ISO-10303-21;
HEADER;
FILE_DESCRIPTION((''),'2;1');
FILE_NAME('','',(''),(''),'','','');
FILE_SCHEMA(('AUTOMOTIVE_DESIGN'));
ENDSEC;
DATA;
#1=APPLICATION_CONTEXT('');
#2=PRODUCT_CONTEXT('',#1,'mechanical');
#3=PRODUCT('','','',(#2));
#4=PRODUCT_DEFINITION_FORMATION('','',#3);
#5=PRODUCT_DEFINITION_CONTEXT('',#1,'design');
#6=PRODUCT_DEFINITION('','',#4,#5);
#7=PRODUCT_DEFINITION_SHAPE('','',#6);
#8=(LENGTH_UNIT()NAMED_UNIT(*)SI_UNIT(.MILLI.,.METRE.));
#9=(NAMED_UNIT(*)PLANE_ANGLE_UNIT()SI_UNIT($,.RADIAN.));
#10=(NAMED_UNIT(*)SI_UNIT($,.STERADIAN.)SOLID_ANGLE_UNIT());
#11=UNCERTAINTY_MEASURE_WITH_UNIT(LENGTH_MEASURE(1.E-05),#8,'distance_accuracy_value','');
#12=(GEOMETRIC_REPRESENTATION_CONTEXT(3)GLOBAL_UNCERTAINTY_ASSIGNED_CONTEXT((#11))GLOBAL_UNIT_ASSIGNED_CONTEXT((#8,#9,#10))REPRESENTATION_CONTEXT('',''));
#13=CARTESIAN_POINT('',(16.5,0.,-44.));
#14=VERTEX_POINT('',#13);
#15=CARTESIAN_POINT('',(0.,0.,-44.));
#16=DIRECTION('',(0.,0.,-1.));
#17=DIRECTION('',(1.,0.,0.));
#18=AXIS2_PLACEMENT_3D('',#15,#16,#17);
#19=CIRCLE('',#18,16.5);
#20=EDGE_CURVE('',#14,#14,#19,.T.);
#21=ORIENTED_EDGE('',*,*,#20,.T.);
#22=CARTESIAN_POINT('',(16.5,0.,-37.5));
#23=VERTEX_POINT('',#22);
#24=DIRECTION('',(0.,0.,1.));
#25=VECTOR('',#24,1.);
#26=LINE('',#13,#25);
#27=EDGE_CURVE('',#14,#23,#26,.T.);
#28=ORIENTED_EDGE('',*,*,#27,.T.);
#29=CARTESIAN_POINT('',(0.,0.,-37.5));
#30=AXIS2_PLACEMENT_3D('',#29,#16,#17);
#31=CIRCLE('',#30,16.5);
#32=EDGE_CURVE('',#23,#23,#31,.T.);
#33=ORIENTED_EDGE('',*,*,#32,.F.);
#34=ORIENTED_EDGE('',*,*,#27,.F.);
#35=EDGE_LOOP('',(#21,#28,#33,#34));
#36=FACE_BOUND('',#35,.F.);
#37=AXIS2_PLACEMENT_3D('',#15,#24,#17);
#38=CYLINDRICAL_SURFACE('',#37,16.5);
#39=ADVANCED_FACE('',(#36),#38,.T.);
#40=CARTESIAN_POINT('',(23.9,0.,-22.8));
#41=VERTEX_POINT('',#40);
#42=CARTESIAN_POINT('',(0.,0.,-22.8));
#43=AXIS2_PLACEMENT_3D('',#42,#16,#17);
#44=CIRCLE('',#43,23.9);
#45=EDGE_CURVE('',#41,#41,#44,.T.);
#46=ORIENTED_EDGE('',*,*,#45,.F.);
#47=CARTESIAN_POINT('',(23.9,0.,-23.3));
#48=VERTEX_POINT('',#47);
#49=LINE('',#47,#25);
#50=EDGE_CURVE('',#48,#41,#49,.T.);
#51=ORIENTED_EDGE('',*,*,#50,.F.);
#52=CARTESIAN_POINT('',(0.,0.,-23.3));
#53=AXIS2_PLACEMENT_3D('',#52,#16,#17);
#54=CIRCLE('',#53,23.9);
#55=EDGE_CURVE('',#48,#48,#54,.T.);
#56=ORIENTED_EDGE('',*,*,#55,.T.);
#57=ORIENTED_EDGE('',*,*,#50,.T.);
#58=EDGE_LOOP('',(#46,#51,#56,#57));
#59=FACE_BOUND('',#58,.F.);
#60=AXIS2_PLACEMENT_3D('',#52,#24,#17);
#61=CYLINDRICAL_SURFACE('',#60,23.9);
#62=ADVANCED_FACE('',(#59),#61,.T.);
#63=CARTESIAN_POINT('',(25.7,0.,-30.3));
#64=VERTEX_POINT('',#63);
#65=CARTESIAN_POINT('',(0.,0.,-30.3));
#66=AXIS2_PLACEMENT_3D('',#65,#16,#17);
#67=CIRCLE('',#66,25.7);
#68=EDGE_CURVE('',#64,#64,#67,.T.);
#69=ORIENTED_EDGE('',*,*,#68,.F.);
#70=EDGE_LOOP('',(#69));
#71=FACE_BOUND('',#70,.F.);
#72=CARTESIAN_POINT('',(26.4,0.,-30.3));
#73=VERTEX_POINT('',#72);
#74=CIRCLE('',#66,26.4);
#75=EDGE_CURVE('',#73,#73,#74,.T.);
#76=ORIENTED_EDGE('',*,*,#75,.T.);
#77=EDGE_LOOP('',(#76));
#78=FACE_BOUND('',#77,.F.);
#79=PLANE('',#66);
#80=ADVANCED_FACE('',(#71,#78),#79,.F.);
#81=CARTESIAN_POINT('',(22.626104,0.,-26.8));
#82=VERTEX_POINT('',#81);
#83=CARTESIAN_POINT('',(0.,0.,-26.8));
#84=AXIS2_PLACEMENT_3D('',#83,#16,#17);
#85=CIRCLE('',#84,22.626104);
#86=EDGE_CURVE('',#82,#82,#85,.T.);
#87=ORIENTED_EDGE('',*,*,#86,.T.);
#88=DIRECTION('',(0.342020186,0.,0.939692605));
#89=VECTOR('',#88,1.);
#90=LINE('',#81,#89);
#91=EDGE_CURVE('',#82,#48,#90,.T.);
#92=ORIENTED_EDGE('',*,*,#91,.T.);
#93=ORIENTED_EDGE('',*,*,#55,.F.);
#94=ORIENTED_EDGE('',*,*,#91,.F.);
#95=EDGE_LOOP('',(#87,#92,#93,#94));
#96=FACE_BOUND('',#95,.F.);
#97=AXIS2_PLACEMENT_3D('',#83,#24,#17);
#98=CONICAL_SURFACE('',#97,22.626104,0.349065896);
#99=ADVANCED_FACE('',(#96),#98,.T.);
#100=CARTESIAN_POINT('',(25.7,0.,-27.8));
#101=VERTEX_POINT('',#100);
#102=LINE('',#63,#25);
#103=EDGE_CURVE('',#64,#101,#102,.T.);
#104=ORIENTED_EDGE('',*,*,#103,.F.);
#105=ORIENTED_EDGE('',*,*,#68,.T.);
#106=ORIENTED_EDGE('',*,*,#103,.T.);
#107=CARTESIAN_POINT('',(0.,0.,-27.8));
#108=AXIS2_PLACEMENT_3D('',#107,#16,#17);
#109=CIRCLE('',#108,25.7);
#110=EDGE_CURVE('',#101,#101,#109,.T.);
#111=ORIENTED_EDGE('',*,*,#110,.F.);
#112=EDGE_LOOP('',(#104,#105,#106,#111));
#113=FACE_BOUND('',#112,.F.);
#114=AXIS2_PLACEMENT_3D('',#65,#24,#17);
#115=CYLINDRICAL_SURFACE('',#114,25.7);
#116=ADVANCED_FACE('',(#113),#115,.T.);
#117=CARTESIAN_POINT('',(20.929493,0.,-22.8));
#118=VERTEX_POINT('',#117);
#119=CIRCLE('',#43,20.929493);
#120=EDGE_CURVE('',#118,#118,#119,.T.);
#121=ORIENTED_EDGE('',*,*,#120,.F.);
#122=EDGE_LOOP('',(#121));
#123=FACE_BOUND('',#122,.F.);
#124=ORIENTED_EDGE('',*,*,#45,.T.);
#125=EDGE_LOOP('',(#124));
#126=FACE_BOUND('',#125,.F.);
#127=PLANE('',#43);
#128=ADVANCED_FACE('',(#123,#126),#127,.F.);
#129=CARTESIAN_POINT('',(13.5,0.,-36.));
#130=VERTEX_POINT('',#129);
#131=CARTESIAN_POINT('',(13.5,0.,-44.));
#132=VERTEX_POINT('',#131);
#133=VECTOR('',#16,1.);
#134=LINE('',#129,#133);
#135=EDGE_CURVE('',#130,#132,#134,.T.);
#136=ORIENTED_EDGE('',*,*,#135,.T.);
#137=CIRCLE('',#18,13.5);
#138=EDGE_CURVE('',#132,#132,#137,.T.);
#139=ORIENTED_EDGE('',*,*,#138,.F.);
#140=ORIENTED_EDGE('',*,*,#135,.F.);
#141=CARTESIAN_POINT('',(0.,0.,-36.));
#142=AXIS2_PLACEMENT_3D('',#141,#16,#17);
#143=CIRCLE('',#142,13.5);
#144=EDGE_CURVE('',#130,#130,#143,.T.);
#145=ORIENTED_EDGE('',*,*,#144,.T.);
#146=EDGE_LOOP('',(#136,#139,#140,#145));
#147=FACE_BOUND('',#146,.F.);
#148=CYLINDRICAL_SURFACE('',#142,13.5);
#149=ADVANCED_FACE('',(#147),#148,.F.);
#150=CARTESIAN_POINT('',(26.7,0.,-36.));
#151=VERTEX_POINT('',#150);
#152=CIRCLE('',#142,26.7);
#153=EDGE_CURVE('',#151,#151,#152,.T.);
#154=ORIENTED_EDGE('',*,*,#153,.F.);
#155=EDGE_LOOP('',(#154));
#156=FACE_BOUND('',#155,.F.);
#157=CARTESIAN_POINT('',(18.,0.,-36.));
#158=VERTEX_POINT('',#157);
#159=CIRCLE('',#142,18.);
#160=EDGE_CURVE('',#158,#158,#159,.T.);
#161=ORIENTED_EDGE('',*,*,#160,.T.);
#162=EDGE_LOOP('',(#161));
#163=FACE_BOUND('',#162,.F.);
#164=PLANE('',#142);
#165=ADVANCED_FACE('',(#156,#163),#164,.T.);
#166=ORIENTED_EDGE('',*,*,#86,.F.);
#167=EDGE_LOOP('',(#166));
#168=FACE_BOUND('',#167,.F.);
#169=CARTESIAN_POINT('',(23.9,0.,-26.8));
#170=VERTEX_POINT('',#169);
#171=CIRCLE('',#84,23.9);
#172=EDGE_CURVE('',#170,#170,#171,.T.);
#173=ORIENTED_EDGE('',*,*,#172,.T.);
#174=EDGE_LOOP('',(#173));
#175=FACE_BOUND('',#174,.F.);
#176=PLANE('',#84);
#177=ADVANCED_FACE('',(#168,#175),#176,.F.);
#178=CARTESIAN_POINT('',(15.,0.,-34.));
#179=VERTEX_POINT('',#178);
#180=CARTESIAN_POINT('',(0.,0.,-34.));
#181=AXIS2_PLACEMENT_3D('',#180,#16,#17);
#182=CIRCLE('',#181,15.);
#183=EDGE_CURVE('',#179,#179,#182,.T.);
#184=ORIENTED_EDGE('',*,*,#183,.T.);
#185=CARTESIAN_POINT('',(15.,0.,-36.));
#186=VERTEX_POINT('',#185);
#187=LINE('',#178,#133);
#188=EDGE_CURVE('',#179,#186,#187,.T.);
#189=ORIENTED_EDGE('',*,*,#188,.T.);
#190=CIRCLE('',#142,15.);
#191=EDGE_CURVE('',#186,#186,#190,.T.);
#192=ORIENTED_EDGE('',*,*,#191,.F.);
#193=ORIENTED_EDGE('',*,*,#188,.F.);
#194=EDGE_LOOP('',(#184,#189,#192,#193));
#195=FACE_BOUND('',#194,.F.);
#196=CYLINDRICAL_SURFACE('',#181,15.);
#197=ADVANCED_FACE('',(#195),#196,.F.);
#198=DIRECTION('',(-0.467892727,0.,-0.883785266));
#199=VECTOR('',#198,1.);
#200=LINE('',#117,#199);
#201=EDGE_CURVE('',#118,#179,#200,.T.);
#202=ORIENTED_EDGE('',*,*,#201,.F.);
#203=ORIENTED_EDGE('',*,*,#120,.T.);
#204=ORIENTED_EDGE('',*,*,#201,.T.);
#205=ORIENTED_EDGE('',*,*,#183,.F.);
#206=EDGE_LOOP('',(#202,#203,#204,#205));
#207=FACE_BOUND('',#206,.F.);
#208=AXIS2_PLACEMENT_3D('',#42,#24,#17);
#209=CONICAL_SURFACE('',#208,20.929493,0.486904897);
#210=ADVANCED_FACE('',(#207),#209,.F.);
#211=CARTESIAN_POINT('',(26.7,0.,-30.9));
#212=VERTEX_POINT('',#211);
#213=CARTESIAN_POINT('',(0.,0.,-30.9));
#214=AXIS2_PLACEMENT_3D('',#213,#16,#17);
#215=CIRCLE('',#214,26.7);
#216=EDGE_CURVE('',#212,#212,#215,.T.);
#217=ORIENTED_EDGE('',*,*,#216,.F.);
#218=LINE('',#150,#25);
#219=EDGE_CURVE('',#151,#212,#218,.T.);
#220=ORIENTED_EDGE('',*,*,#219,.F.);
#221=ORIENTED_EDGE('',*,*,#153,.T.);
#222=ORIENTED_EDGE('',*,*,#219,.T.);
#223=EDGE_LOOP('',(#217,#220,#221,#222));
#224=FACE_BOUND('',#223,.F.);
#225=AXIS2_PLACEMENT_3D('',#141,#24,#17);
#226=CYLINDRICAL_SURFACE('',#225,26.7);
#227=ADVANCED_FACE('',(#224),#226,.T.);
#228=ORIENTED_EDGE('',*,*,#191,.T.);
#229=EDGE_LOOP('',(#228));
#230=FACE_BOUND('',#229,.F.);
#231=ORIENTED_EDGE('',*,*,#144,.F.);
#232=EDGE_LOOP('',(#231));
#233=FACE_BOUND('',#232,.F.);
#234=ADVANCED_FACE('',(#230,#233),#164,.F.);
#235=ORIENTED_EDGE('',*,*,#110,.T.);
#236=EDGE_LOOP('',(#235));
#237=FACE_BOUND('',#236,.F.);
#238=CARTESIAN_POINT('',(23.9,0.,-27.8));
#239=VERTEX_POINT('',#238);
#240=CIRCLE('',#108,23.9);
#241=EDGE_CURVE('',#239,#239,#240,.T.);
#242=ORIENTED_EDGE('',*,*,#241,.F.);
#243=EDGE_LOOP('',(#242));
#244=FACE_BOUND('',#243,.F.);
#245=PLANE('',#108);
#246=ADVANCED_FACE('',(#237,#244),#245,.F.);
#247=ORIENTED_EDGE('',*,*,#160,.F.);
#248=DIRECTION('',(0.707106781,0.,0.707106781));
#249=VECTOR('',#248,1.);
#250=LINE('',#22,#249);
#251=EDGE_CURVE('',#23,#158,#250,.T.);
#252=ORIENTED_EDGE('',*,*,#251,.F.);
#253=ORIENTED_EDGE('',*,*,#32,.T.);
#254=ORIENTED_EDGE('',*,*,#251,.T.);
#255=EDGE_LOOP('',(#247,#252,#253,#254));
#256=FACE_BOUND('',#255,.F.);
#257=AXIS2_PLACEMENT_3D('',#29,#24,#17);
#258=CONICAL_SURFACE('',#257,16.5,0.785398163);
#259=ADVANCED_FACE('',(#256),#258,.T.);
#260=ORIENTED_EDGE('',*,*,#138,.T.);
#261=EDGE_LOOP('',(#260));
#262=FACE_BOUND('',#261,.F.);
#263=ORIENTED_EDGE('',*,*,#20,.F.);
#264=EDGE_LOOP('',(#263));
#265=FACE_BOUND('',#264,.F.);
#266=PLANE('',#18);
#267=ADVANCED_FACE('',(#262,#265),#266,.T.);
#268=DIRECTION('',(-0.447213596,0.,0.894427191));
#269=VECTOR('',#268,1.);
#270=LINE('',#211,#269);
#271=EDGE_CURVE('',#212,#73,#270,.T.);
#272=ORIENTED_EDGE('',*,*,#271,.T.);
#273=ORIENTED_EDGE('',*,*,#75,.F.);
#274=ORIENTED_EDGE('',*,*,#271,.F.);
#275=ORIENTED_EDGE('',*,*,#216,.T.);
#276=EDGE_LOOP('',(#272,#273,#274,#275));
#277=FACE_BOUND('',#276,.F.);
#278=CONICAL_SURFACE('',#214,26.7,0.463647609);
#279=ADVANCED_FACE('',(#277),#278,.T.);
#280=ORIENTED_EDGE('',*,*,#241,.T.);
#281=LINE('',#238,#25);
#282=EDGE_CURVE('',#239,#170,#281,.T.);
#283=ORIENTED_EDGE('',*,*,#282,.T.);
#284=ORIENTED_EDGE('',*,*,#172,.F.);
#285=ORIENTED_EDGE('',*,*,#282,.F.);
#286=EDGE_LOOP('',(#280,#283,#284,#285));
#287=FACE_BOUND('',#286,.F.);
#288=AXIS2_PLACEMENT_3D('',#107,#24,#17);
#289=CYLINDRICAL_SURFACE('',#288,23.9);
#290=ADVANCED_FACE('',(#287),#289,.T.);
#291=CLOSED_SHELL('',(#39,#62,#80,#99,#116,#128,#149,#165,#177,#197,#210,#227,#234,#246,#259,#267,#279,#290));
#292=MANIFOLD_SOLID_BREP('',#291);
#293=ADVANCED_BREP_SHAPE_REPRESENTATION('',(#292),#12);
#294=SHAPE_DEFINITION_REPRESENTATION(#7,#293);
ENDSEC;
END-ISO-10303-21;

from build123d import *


with BuildPart() as f1:
    # F0 (on Front) → F1 (revolve)
    with BuildSketch(Plane.XZ):
        Polygon((23.9, -22.8), (20.929493, -22.8), (15, -34), (15, -36), (13.5, -36), (13.5, -44), (16.5, -44), (16.5, -37.5), (18, -36), (26.7, -36), (26.7, -30.9), (26.4, -30.3), (25.7, -30.3), (25.7, -27.8), (23.9, -27.8), (23.9, -26.8), (22.626104, -26.8), (23.9, -23.3), align=None)
    revolve(axis=Axis((0, 0, -9.429786), (0, 0, -1)))


solid = f1.part
